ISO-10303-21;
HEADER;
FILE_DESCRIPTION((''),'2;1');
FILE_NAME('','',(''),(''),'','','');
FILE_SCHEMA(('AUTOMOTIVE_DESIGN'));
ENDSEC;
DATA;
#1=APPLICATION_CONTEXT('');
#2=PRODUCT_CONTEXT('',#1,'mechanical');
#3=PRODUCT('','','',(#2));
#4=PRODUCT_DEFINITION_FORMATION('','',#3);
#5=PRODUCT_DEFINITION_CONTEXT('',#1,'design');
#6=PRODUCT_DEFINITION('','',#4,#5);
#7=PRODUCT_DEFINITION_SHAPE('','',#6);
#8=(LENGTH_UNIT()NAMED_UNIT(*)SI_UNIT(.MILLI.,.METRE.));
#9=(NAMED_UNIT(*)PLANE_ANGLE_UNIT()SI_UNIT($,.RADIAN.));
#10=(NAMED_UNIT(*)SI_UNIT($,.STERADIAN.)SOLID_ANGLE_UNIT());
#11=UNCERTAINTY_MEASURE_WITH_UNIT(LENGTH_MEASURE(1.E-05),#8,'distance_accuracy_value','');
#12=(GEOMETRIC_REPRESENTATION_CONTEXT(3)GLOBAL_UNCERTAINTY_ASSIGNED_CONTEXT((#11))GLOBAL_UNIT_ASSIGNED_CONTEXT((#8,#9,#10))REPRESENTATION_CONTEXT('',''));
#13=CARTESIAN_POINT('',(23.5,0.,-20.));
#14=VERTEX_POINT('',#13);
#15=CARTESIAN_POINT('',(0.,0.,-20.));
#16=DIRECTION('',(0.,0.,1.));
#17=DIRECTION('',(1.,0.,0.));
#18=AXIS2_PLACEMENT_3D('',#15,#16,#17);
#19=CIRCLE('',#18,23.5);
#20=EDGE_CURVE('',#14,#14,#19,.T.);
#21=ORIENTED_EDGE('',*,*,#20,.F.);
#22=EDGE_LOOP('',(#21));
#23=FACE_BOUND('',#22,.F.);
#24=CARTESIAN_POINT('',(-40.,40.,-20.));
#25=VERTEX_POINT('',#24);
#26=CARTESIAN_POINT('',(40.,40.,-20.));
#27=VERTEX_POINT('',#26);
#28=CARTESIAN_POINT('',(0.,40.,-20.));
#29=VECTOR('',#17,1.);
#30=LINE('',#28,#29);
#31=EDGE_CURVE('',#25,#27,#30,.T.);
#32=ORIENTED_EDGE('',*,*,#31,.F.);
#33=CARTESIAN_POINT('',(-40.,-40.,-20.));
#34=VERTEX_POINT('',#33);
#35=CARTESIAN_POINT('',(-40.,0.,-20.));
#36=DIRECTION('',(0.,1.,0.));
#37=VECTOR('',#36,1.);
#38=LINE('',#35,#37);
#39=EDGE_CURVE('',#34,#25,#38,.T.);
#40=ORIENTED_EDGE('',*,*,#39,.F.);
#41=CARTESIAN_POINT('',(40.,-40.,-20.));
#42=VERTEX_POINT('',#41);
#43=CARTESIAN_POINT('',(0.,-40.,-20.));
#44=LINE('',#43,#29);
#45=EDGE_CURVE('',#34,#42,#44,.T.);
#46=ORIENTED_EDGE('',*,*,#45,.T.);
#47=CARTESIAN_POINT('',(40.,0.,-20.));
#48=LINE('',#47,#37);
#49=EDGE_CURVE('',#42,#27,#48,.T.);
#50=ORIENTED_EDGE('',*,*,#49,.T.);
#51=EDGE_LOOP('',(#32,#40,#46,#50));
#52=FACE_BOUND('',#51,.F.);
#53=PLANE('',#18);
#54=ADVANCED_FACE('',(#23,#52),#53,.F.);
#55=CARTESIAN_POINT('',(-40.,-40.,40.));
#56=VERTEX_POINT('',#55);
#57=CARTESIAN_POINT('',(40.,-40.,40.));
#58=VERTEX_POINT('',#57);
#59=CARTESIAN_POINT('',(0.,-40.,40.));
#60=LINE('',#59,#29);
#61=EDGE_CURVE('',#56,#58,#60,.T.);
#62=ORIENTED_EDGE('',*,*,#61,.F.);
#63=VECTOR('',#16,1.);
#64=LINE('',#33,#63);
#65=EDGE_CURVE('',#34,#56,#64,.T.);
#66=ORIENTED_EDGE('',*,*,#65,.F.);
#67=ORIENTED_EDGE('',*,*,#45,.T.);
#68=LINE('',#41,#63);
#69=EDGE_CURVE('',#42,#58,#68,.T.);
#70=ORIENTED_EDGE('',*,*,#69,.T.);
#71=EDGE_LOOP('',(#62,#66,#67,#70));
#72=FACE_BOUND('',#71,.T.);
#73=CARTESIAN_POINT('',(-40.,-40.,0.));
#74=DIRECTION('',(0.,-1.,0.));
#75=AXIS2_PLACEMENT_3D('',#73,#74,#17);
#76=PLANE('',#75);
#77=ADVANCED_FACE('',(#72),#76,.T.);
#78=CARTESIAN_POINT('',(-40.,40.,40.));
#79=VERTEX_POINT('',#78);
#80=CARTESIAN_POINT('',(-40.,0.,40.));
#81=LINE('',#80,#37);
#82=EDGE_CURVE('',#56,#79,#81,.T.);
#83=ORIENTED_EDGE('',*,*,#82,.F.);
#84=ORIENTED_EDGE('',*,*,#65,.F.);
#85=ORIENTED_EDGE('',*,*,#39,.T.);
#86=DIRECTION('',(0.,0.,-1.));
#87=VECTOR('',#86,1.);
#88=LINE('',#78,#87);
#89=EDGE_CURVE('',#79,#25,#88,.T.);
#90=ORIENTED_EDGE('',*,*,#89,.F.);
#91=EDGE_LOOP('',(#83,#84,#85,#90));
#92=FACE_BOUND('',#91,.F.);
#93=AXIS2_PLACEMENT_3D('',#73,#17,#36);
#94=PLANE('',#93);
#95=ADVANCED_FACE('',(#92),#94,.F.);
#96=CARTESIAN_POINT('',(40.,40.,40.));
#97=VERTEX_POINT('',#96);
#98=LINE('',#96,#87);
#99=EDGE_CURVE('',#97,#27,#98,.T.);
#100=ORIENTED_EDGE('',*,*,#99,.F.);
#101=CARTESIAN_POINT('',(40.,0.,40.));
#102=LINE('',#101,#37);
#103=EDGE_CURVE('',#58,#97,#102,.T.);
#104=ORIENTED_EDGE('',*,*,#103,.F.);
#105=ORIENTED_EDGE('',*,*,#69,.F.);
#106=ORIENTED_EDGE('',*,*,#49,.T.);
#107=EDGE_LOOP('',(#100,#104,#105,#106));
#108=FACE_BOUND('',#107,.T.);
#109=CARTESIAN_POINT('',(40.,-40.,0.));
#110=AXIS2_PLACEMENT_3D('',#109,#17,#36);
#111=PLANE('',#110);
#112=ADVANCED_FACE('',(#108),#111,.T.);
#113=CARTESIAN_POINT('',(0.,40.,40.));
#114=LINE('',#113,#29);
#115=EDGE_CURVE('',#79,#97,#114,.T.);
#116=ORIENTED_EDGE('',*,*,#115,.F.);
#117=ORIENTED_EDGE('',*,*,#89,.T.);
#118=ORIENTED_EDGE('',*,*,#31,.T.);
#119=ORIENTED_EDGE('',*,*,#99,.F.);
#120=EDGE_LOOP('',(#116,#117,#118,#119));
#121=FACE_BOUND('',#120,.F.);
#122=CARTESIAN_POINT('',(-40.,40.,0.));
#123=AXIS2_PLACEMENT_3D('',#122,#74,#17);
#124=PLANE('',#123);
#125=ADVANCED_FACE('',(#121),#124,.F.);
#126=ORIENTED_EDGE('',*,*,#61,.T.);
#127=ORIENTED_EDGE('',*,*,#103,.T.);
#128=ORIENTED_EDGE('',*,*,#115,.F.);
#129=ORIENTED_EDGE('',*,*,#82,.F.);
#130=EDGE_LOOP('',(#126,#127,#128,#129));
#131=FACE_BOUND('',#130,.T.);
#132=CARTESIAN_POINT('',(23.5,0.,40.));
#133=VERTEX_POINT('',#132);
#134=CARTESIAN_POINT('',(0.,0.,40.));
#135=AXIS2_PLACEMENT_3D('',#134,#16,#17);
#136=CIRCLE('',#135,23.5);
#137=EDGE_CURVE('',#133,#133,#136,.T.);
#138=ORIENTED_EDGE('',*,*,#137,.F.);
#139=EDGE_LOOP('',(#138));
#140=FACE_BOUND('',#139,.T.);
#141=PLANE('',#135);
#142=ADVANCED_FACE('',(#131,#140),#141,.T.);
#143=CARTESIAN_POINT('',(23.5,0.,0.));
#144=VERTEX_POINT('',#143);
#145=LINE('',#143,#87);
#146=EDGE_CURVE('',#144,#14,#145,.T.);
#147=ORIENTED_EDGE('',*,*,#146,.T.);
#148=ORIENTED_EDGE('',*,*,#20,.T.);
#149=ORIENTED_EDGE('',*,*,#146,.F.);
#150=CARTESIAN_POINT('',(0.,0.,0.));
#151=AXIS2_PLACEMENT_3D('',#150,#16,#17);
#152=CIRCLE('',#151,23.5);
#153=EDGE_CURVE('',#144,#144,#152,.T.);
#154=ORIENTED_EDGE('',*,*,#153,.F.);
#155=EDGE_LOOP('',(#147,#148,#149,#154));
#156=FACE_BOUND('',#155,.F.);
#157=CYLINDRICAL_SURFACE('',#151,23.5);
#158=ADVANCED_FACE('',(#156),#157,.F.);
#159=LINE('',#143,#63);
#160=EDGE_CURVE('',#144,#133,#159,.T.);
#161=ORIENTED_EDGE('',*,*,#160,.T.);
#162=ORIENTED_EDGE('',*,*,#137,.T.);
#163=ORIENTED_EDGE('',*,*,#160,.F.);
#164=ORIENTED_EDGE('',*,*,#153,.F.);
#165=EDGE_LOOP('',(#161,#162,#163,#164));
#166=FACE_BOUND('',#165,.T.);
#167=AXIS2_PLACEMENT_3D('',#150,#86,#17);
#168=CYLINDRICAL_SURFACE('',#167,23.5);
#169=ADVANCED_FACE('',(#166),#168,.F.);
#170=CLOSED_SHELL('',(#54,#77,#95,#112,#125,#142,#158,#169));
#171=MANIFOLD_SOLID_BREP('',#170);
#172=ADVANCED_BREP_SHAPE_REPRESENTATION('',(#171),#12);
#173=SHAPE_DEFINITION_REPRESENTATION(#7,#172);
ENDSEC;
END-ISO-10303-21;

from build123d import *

# Parameters (mm, degrees)
F0_W          = 80
F0_H          = 80
F0_R          = 23.5
F1_DEPTH      = 40
F1_DEPTH_BACK = 20


with BuildPart() as f1:
    # F0 (on Top) → F1 (new body, two sides)
    with BuildSketch(Plane.XY) as f1_sk:
        Rectangle(F0_W, F0_H)
        Circle(F0_R, mode=Mode.SUBTRACT)
    extrude(amount=F1_DEPTH)
    extrude(f1_sk.sketch, amount=-F1_DEPTH_BACK)


solid = f1.part
